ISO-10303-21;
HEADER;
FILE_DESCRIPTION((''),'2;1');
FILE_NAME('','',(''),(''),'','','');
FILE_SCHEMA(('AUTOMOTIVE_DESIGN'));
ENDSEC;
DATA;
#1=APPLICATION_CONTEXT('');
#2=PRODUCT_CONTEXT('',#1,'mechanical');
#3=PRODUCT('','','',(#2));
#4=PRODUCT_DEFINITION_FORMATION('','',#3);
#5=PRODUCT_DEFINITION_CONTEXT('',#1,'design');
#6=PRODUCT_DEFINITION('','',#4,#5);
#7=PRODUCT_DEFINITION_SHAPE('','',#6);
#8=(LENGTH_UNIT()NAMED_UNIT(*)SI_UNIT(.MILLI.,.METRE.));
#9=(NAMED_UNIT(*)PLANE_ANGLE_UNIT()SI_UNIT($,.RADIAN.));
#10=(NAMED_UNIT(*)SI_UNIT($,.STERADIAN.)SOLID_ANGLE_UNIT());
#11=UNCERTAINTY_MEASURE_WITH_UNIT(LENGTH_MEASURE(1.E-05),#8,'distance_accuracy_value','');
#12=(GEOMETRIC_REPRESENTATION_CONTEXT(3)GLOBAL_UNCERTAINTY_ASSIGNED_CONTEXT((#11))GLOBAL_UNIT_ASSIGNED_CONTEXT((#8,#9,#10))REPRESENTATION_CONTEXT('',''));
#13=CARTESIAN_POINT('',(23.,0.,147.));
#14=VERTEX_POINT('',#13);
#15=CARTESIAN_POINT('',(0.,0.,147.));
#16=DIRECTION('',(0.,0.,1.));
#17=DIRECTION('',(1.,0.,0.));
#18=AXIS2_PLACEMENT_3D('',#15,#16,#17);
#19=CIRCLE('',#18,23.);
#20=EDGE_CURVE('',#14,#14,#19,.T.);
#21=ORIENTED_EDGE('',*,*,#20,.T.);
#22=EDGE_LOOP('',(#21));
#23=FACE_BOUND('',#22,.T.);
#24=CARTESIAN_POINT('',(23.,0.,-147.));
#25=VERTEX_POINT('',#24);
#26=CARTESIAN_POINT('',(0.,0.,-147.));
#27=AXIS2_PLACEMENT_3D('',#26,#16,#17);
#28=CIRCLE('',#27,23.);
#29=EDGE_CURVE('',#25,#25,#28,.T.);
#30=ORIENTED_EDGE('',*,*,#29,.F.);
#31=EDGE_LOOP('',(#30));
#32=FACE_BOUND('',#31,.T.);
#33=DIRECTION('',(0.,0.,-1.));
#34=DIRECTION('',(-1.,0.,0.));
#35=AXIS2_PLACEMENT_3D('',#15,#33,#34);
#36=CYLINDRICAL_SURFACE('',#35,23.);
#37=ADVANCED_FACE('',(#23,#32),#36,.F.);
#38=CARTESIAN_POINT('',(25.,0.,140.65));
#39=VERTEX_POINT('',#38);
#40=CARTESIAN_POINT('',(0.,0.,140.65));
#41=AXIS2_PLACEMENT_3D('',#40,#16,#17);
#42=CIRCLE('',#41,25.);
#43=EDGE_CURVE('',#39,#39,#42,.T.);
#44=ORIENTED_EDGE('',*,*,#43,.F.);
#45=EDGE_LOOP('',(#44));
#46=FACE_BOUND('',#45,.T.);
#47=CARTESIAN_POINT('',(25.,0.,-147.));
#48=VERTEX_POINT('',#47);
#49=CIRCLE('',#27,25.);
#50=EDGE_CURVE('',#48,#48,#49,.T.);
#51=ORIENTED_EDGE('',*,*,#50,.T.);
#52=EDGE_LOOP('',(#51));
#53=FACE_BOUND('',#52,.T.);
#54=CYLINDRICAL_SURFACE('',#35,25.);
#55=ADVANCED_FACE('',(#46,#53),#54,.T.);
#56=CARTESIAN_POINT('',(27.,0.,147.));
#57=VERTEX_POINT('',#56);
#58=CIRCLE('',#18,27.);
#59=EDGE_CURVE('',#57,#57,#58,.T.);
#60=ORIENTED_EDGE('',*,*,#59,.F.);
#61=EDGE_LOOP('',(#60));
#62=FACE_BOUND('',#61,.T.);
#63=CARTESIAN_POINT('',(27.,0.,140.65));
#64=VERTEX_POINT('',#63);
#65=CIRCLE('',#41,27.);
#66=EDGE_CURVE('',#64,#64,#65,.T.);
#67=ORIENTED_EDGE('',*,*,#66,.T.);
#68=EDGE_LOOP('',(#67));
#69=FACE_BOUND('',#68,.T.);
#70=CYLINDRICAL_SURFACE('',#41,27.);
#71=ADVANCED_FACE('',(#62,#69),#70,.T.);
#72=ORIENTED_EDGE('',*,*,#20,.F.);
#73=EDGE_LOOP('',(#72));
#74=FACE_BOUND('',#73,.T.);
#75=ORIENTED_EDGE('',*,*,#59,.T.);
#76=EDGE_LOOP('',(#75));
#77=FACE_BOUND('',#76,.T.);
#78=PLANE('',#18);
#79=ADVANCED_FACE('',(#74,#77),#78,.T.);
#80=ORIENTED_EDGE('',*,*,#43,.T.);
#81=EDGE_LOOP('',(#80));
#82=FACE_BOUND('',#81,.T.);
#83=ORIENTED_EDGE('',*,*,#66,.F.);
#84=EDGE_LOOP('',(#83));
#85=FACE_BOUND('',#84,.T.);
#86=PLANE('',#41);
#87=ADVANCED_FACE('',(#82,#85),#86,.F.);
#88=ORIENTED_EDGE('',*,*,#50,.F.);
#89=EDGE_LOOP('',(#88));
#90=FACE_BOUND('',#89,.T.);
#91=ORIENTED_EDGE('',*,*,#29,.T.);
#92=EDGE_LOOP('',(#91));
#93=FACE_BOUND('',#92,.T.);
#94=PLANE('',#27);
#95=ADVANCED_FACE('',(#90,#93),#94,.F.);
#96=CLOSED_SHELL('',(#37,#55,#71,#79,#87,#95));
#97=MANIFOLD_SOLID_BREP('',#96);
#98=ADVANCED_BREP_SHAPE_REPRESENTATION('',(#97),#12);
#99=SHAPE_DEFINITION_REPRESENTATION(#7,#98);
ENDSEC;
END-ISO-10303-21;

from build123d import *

# Parameters (mm, degrees)
SKETCH1_R           = 25
SKETCH1_R_2         = 23
BOSS_EXTRUDE1_DEPTH = 147
SKETCH2_R           = 27
SKETCH2_R_2         = 25
BOSS_EXTRUDE2_DEPTH = 6.35


with BuildPart() as part:
    # Sketch1 → Boss-Extrude1 (new, symmetric)
    with BuildSketch(Plane.XY):
        Circle(SKETCH1_R)
        Circle(SKETCH1_R_2, mode=Mode.SUBTRACT)
    extrude(amount=BOSS_EXTRUDE1_DEPTH, both=True)

    # Sketch2 → Boss-Extrude2 (add)
    with BuildSketch(Plane.XY.offset(147)):
        Circle(SKETCH2_R)
        Circle(SKETCH2_R_2, mode=Mode.SUBTRACT)
    extrude(amount=-BOSS_EXTRUDE2_DEPTH)


solid = part.part
